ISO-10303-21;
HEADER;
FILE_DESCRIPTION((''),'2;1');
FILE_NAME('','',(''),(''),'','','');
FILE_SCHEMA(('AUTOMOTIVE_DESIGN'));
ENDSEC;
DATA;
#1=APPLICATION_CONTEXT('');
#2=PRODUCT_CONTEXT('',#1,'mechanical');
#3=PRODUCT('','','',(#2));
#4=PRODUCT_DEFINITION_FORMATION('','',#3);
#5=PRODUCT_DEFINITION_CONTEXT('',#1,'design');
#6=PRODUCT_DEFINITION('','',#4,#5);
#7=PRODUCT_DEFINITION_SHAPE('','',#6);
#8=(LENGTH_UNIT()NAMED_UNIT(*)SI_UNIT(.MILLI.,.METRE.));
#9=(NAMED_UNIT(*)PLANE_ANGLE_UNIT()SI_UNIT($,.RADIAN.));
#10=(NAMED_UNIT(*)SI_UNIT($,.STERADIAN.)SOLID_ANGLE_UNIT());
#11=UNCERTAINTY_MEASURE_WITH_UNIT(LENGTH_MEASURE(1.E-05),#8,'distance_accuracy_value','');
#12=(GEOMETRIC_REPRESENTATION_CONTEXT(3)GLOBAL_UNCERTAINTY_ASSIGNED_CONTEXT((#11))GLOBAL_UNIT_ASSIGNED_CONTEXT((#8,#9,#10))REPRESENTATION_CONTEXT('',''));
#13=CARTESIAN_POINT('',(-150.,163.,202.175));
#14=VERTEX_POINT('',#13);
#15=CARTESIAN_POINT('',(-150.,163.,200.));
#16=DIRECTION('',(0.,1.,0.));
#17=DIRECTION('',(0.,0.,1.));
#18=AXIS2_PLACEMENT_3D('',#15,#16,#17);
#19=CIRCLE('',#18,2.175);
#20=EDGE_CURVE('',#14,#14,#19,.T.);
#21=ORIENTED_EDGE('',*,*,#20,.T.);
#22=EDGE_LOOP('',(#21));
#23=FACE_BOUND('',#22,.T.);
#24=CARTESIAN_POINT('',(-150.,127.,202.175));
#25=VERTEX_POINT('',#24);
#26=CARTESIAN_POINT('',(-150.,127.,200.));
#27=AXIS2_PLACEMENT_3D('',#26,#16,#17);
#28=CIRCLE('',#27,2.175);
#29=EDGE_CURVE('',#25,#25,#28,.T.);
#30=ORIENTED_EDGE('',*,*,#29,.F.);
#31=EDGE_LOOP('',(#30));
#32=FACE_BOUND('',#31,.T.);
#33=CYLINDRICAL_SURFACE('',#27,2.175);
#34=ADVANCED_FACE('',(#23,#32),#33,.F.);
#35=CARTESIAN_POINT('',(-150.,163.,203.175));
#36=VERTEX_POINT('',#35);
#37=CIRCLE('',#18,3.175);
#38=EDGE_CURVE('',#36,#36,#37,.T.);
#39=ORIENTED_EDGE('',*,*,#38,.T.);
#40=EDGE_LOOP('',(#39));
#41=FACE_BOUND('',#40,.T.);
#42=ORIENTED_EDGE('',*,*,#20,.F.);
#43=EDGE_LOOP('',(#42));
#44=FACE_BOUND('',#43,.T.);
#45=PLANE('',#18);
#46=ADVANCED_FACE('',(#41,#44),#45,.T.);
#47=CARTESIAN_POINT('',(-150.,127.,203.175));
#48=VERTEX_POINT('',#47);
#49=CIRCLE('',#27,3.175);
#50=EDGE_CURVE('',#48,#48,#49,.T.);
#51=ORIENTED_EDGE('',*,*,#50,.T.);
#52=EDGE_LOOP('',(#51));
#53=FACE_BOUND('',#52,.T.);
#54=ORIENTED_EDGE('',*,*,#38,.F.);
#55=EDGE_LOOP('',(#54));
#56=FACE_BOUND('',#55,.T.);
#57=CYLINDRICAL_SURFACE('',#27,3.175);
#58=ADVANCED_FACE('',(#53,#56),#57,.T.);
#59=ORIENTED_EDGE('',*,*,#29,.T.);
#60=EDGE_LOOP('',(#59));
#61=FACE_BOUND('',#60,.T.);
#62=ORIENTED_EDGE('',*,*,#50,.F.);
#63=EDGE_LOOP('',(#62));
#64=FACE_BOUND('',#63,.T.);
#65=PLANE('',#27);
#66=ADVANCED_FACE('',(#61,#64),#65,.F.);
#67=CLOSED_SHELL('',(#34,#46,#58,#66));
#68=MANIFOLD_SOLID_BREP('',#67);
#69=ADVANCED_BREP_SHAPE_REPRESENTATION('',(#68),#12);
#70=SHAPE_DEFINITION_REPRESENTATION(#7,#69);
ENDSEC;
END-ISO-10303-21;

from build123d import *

# Parameters (mm, degrees)
TUBE_PROFILE_R   = 3.175
TUBE_PROFILE_R_2 = 2.175


with BuildPart() as part:
    # Tube: sweep along a curve in space
    with BuildLine() as tube_path:
        Line((-150, 127, 200), (-150, 163, 200))
    # Tube profile (on start of the path) → Tube (sweep)
    with BuildSketch(Plane(origin=(-150, 127, 200), x_dir=(0, 0, 1), z_dir=(0, 1, 0))):
        Circle(TUBE_PROFILE_R)
        Circle(TUBE_PROFILE_R_2, mode=Mode.SUBTRACT)
    sweep(path=tube_path.line)


solid = part.part
